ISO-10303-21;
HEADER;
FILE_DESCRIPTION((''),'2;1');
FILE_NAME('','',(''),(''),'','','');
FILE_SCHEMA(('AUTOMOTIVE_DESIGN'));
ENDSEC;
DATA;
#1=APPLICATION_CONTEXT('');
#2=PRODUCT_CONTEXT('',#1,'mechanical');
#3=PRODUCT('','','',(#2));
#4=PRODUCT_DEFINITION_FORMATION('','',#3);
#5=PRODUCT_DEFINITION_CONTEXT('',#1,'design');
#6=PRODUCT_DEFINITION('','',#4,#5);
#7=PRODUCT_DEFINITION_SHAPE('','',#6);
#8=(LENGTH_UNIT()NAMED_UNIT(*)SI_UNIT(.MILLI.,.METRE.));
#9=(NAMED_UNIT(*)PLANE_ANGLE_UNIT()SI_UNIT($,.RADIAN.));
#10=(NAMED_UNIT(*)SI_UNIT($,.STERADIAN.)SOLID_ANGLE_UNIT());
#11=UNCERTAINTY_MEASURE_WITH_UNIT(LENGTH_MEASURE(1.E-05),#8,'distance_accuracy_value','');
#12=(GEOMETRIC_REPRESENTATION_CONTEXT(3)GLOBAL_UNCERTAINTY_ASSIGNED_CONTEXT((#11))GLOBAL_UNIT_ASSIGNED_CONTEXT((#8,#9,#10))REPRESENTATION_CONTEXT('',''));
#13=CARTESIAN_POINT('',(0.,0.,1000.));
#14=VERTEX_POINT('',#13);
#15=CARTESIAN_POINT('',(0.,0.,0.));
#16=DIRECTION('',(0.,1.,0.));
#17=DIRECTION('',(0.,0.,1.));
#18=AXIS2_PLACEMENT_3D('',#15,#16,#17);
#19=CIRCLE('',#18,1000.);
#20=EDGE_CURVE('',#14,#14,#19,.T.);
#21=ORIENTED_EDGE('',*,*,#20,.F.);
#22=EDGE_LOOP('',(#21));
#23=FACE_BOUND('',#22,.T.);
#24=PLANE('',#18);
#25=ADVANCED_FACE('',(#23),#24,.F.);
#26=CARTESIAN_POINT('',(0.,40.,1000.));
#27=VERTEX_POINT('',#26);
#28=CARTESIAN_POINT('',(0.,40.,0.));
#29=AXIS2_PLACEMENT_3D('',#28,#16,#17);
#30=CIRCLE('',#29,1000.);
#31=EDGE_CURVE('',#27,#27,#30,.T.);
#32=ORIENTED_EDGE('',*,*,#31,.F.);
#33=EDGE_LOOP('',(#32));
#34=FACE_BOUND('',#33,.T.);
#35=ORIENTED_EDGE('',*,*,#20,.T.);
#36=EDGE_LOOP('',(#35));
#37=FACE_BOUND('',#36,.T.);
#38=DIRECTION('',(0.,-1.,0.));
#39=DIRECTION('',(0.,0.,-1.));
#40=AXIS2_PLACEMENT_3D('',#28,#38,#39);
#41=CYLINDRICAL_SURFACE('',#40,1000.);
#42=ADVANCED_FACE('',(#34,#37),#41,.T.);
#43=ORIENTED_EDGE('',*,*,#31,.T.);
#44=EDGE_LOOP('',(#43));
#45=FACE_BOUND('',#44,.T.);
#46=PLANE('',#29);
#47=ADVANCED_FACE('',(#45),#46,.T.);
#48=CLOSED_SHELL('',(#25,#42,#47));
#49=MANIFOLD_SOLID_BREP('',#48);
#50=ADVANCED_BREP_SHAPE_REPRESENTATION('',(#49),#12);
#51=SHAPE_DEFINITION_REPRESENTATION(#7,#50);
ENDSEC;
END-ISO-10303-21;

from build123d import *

# Parameters (mm, degrees)
ESBO_O1_R                = 1000
RESSALTO_EXTRUS_O1_DEPTH = 40


with BuildPart() as part:
    # Esboço1 → Ressalto-extrusão1 (new body)
    with BuildSketch(Plane(origin=(0, 0, 0), x_dir=(1, 0, 0), z_dir=(0, 1, 0))):
        Circle(ESBO_O1_R)
    extrude(amount=RESSALTO_EXTRUS_O1_DEPTH)


solid = part.part
